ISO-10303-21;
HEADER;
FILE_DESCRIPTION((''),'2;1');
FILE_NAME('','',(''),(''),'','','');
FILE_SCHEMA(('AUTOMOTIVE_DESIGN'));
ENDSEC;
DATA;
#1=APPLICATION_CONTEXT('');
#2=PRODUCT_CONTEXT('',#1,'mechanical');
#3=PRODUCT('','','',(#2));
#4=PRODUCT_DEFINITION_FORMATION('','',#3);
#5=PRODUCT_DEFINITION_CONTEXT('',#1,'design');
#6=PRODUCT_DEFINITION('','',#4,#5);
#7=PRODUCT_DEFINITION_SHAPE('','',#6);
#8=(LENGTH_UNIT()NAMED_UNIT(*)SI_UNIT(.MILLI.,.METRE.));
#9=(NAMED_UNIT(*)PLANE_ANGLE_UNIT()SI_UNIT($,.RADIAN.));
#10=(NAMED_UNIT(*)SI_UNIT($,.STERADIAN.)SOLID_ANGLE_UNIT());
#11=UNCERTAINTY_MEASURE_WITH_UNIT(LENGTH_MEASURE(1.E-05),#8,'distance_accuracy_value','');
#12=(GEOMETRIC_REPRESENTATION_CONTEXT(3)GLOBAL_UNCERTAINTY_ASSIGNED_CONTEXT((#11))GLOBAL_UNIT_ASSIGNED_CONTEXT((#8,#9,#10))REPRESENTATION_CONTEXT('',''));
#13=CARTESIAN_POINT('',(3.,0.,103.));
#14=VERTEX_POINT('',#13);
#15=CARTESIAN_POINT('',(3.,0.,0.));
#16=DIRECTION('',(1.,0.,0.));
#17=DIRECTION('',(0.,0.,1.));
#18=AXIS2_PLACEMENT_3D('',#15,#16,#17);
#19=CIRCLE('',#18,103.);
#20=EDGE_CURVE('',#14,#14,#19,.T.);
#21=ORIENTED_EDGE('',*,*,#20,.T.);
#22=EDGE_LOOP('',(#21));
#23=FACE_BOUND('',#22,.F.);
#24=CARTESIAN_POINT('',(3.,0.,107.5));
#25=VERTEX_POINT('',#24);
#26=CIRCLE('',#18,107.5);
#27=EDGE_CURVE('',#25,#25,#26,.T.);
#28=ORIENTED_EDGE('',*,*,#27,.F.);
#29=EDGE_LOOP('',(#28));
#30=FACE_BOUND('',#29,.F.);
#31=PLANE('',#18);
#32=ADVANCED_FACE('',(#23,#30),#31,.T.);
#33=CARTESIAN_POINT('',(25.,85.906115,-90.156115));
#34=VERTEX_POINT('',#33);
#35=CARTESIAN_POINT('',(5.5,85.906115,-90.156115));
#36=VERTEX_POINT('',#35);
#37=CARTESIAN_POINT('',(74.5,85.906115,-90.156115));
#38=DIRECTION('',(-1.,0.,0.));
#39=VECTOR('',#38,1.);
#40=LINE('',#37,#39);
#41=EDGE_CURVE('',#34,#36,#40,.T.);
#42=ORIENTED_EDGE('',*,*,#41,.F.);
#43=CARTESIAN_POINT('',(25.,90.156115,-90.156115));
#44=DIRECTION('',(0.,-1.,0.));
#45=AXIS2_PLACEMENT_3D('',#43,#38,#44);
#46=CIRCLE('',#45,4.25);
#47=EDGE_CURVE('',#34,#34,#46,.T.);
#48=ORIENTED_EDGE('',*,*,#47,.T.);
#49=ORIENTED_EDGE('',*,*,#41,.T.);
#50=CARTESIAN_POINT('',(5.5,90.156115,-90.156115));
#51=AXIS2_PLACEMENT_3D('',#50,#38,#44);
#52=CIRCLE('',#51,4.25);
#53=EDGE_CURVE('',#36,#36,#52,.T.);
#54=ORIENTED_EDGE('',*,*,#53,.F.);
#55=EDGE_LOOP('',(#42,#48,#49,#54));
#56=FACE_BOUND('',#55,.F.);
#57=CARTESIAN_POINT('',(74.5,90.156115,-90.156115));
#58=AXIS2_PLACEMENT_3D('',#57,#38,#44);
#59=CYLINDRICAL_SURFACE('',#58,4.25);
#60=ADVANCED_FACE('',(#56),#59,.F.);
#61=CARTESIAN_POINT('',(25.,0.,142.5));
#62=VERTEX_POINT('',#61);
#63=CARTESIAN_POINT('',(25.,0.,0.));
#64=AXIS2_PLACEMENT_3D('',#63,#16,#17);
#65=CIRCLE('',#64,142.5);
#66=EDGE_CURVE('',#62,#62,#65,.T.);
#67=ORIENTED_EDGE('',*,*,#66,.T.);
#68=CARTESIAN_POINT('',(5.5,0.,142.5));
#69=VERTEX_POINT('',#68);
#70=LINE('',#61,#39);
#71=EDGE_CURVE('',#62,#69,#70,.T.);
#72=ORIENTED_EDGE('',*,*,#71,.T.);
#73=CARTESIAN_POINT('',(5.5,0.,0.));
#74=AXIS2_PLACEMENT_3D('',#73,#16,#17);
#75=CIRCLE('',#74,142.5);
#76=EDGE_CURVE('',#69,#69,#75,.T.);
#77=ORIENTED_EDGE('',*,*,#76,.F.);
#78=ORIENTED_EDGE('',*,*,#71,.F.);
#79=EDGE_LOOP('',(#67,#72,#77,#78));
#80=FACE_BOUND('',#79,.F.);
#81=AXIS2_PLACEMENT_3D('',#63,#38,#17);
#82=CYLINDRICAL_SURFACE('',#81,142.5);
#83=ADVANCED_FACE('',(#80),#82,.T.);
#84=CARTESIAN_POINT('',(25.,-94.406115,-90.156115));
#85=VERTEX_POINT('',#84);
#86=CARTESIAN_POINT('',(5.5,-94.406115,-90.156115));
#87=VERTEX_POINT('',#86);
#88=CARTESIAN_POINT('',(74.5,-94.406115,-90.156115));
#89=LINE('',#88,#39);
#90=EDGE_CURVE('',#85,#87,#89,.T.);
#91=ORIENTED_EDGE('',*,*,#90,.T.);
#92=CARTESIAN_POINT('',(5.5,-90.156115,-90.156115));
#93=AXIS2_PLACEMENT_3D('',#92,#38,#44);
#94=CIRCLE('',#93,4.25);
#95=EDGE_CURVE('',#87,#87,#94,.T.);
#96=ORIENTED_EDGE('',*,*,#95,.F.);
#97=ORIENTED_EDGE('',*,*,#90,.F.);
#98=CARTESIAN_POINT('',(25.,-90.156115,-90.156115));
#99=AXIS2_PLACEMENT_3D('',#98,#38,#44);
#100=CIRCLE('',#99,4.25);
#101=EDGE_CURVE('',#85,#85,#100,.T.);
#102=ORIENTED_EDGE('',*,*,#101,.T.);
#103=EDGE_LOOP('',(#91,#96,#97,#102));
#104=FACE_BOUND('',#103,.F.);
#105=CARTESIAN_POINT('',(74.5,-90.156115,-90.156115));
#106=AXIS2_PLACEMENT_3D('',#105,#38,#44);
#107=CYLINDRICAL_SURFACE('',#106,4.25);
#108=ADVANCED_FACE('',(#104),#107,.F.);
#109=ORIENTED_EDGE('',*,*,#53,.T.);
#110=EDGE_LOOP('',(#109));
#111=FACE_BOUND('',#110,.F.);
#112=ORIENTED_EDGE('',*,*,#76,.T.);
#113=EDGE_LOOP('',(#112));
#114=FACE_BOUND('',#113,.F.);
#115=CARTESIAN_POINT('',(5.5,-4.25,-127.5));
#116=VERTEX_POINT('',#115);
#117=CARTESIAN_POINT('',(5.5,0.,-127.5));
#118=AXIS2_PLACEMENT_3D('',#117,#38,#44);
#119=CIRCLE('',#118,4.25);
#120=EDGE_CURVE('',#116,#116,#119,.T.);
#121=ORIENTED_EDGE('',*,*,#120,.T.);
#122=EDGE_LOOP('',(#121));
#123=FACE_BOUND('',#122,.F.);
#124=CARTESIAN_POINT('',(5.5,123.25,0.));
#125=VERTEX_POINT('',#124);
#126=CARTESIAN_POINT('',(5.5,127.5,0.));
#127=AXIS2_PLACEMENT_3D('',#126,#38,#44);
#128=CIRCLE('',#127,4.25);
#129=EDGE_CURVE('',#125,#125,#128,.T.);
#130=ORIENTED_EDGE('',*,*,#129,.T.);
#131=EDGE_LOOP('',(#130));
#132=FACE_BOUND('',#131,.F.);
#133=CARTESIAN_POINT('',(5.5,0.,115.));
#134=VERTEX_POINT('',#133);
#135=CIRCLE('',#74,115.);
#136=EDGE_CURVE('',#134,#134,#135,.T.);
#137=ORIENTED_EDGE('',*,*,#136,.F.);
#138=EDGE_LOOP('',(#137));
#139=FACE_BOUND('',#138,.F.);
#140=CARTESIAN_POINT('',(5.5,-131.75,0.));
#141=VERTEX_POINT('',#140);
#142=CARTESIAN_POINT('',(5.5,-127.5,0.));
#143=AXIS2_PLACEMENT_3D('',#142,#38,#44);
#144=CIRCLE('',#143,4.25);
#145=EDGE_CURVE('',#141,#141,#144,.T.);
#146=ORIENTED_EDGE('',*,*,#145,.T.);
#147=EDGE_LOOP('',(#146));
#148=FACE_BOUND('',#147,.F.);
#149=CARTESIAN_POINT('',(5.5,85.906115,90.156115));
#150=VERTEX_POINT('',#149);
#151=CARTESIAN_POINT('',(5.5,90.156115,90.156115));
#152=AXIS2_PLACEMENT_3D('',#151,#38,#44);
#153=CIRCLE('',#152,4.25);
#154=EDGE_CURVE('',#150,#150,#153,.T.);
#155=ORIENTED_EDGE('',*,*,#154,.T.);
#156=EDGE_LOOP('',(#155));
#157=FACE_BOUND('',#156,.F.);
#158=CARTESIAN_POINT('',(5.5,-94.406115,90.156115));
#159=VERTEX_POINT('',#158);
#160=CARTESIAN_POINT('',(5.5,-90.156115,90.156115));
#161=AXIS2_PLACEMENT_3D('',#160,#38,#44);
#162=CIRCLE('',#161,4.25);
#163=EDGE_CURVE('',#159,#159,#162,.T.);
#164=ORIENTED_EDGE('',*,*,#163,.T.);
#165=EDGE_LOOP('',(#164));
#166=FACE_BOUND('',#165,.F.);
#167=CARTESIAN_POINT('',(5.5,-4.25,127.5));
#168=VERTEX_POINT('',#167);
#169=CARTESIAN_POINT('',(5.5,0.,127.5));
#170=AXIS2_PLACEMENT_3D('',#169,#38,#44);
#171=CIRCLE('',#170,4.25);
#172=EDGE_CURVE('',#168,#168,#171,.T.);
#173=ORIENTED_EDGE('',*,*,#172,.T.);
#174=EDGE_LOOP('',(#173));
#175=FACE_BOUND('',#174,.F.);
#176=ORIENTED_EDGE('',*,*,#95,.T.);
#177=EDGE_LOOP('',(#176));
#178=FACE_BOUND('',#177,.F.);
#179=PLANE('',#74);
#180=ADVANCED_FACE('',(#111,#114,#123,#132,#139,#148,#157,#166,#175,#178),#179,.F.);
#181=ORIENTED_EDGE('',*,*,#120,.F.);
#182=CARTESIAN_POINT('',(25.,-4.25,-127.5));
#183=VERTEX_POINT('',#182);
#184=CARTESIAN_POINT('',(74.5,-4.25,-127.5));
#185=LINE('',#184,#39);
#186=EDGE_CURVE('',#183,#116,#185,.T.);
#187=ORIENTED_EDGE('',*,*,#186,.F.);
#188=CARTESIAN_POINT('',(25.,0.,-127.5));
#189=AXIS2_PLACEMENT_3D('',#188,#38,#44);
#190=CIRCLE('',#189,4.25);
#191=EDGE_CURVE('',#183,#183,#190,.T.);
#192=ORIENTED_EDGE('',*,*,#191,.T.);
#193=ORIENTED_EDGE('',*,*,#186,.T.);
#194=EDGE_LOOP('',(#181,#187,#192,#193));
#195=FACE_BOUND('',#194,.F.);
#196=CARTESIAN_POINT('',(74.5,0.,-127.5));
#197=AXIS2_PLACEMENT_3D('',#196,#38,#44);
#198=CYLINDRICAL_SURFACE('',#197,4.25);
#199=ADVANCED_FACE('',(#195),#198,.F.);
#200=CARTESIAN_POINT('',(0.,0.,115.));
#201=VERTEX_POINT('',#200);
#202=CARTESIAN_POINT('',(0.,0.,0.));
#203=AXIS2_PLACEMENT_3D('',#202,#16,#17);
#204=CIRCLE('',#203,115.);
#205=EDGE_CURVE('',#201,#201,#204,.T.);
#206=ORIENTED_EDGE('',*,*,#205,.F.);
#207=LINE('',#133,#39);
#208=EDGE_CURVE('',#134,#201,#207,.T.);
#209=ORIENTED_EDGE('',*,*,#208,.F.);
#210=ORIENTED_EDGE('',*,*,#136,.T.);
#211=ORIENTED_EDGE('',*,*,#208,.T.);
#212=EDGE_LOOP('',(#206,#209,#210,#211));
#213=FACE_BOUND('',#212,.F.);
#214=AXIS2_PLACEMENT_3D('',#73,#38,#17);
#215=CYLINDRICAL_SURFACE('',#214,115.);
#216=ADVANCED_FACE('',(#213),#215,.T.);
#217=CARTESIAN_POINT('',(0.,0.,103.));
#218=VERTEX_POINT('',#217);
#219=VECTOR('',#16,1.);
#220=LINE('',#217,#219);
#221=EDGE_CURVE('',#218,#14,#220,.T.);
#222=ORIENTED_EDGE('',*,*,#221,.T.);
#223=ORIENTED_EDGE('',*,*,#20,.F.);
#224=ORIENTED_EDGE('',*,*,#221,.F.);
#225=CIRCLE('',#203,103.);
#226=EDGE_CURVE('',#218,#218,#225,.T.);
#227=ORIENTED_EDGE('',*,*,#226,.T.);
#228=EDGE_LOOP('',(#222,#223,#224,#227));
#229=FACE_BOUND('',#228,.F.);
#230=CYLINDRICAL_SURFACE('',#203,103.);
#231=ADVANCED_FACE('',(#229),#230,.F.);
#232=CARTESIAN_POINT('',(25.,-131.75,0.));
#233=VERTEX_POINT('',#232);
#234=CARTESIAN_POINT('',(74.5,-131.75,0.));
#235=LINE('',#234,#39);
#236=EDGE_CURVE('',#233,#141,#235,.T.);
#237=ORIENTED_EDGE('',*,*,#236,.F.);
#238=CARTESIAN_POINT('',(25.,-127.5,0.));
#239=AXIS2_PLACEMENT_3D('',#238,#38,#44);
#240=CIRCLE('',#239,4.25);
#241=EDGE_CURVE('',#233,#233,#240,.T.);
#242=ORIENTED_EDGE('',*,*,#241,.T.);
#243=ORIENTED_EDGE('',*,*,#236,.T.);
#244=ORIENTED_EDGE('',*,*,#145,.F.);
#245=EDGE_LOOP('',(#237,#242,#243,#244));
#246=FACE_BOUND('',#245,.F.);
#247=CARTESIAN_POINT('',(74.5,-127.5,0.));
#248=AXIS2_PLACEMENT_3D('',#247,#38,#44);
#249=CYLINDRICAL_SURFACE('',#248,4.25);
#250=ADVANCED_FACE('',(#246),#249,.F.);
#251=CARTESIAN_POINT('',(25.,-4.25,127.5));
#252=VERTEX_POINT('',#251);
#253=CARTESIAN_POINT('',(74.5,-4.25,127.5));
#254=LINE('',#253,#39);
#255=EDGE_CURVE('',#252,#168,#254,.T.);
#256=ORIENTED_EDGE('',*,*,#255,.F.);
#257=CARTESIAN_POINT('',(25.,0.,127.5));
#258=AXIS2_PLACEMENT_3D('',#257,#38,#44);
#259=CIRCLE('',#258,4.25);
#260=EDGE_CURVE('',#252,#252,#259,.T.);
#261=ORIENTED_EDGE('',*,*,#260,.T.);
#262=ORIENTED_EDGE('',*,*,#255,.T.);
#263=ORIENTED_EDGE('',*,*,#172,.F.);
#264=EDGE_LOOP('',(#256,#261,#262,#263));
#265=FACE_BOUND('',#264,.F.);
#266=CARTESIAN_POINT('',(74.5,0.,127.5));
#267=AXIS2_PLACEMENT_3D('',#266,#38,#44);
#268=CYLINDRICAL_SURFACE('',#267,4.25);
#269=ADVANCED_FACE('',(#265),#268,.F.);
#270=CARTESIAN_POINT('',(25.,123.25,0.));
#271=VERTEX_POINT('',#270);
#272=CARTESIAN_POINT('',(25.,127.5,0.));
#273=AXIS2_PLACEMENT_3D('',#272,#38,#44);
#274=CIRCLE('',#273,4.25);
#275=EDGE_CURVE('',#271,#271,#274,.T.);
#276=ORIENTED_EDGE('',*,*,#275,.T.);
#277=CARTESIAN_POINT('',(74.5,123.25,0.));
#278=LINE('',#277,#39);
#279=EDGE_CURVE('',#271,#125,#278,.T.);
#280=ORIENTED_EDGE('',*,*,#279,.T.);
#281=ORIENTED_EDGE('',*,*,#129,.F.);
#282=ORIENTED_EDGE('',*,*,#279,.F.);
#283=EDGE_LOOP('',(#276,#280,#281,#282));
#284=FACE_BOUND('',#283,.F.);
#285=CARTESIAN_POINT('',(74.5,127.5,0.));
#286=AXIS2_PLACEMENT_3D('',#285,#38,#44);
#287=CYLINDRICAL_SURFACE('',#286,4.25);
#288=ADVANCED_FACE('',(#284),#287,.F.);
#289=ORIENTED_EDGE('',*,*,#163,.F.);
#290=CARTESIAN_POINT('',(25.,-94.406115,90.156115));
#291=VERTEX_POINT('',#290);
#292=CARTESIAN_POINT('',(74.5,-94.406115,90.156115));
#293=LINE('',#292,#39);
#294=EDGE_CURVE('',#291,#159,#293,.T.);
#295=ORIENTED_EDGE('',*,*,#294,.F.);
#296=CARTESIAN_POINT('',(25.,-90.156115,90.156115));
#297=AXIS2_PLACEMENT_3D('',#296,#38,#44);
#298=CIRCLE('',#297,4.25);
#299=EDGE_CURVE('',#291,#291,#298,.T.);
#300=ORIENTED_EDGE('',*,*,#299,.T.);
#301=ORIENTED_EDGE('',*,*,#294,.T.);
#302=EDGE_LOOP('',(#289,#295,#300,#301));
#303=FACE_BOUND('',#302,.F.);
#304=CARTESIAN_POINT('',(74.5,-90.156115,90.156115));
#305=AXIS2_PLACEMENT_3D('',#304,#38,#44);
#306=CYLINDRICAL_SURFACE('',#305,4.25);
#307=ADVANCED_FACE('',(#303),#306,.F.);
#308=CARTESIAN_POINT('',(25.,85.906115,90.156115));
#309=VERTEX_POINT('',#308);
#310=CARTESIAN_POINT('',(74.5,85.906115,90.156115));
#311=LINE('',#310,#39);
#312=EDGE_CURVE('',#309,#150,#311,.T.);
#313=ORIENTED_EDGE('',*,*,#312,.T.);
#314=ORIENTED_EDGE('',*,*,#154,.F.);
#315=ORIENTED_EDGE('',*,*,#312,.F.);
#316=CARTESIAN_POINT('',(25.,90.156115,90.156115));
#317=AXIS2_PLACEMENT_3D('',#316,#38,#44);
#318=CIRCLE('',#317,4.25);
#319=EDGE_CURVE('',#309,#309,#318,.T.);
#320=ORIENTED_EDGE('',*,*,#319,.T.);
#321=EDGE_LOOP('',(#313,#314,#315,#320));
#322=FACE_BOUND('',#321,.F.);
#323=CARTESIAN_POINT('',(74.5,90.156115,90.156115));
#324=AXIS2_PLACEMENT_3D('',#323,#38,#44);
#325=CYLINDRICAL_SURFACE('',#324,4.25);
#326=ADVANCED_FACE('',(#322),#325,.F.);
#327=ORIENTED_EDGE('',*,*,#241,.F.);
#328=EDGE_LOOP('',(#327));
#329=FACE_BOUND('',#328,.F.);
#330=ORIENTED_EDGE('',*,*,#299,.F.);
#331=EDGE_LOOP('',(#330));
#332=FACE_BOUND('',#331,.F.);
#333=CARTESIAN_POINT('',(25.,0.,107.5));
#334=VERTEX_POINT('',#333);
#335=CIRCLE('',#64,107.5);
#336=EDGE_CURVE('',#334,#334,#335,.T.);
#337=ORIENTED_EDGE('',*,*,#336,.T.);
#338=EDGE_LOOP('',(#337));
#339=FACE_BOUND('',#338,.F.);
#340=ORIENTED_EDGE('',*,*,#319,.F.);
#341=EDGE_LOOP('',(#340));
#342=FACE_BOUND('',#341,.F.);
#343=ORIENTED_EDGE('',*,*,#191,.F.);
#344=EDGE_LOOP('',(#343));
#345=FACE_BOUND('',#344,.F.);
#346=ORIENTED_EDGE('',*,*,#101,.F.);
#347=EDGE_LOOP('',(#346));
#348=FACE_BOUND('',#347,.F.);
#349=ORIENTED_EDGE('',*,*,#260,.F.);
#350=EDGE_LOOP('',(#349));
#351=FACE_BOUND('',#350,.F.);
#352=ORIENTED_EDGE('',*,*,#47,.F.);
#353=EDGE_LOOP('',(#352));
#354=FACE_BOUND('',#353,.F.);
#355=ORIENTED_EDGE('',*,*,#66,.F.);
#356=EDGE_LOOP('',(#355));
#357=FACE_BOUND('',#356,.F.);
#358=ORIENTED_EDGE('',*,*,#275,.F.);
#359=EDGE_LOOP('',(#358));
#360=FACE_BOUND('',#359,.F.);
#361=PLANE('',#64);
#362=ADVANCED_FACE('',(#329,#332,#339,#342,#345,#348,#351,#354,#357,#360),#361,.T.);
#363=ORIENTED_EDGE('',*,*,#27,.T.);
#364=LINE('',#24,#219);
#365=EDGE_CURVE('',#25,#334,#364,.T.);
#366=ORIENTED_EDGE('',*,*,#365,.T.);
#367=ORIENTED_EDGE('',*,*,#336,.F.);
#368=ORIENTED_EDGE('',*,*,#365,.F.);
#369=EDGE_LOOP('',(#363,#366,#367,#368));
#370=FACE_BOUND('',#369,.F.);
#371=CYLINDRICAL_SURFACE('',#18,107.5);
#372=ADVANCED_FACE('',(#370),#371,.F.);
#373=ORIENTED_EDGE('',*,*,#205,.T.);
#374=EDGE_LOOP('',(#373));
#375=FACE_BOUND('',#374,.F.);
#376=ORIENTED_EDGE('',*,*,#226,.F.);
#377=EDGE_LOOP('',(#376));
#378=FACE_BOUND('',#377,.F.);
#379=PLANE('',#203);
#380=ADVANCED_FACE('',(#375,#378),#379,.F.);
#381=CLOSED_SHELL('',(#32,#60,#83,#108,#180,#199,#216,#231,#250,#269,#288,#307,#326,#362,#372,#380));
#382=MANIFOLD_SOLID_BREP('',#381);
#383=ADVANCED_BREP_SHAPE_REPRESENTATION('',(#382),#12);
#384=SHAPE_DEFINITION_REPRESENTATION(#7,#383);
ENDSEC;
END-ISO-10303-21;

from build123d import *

# Parameters (mm, degrees)
F3_D     = 8.5
F3_DEPTH = 49.5
F3_TIP   = 2.5536576309


with BuildPart() as f1:
    # F0 (on Front) → F1 (revolve)
    with BuildSketch(Plane.XZ):
        Polygon((5.5, 115), (0, 115), (0, 107.5), (0, 103), (3, 103), (3, 107.5), (25, 107.5), (25, 142.5), (5.5, 142.5), align=None)
    revolve(axis=Axis((120.2051416039, 0, 0), (1, 0, 0)))

    # F3
    with Locations(Plane.YZ.offset(25)):
        with Locations((0, 127.5), (90.1561146013, 90.1561146013), (127.5, 0), (90.1561146013, -90.1561146013), (0, -127.5), (-90.1561146013, -90.1561146013), (-127.5, 0), (-90.1561146013, 90.1561146013)):
            Hole(F3_D / 2, depth=F3_DEPTH)
            with Locations((0, 0, -(F3_DEPTH + F3_TIP / 2))):  # 118° drill point
                Cone(0, F3_D / 2, F3_TIP, mode=Mode.SUBTRACT)


solid = f1.part
